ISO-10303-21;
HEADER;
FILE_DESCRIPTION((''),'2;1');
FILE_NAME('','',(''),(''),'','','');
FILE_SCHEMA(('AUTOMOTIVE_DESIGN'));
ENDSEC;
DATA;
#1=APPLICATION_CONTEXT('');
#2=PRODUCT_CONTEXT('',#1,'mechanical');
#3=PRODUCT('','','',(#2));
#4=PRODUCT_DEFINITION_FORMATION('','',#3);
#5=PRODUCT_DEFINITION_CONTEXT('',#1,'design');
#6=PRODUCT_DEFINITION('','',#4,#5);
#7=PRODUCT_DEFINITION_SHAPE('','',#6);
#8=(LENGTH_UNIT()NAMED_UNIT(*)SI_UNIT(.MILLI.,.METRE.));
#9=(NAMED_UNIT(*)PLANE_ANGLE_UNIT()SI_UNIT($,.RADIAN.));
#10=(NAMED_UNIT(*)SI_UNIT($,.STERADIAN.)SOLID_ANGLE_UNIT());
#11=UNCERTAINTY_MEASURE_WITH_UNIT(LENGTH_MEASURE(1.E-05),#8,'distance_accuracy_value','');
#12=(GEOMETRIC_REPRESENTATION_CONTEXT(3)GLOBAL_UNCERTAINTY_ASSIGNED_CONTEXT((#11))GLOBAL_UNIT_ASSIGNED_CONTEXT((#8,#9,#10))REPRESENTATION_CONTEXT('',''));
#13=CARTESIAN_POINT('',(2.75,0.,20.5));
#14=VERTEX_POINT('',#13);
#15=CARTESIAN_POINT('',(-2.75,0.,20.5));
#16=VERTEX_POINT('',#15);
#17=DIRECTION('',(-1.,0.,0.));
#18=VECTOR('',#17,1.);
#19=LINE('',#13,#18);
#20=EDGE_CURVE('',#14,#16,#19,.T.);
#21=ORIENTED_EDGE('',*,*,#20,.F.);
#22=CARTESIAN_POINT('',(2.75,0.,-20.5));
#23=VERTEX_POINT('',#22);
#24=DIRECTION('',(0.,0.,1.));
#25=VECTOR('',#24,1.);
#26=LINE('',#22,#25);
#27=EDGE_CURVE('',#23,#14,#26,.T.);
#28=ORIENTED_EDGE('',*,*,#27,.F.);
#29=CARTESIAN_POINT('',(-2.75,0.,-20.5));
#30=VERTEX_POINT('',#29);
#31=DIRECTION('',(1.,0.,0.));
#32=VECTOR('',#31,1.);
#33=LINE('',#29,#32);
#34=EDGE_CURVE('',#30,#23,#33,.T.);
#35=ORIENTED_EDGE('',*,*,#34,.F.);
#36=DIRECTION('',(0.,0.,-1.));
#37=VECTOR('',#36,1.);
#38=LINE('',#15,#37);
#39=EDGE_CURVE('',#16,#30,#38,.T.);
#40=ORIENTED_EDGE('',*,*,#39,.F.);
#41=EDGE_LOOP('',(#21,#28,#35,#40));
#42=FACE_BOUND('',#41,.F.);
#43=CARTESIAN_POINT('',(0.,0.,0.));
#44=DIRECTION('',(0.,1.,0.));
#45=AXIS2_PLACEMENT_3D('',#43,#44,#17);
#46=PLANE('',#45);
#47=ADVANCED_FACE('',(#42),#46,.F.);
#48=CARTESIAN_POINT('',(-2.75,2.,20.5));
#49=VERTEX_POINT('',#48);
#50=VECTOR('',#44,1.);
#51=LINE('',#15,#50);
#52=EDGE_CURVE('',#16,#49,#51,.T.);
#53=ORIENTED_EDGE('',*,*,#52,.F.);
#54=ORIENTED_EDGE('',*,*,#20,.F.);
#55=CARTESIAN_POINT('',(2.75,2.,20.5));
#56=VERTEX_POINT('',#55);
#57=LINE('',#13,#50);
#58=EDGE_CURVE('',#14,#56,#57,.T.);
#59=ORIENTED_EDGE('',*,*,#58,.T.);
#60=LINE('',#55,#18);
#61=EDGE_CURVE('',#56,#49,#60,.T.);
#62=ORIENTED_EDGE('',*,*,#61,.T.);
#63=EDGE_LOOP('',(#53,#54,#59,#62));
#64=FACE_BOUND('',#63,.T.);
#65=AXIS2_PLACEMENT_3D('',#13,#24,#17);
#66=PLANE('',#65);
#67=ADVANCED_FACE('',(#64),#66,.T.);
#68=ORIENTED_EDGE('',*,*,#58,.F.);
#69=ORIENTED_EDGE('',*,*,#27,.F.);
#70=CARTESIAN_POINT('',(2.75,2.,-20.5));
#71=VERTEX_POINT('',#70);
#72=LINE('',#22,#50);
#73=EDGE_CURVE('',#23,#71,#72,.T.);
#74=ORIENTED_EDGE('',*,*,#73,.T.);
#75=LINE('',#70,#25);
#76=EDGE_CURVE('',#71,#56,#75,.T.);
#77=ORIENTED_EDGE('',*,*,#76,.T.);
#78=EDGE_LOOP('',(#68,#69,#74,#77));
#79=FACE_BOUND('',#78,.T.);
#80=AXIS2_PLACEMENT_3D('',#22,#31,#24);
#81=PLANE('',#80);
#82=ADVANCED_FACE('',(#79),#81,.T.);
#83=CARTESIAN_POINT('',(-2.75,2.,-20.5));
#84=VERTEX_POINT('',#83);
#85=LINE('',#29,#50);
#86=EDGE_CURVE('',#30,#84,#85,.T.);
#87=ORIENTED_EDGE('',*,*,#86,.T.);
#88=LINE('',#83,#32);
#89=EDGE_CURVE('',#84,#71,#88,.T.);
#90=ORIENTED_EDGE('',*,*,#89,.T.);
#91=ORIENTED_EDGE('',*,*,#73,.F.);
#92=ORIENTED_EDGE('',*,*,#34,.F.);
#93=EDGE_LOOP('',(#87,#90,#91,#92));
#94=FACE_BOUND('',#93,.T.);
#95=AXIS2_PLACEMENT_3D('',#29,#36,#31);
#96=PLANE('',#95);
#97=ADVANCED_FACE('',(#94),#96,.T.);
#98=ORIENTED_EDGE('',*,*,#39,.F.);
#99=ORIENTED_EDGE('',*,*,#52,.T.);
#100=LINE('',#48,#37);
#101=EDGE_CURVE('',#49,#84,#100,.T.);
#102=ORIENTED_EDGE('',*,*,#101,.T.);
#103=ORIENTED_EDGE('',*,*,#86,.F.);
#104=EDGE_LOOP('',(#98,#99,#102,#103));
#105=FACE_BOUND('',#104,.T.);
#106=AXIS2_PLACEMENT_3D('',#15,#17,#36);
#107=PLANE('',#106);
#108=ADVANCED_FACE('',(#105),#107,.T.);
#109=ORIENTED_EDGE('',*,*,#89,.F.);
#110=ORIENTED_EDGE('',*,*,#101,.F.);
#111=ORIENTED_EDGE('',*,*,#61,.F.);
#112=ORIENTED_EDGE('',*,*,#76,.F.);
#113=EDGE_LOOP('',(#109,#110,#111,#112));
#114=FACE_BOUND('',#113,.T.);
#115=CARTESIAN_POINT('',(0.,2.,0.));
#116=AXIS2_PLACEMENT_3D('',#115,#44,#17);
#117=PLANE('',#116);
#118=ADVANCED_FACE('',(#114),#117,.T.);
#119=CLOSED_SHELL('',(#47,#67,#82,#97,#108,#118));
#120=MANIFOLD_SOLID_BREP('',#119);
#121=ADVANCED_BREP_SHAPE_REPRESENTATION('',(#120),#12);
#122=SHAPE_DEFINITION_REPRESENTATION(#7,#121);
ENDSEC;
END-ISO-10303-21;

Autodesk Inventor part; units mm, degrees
ref_plane "YZ Plane" through (0, 0, 0) normal (1, 0, 0) x (0, 1, 0)
ref_plane "XZ Plane" through (0, 0, 0) normal (0, 1, 0) x (-1, 0, 0)
ref_plane "XY Plane" through (0, 0, 0) normal (0, 0, 1) x (1, 0, 0)
sketch "Эскиз1" plane through (0, 0, 0) normal (0, 1, 0) x (-1, 0, 0)
  line L0 (-2.75, 20.5) -> (2.75, 20.5)
  line L1 (2.75, 20.5) -> (2.75, -20.5)
  line L2 (2.75, -20.5) -> (-2.75, -20.5)
  line L3 (-2.75, -20.5) -> (-2.75, 20.5)
  line L4 (-2.75, 20.5) -> (2.75, -20.5) construction
  line L5 (2.75, 20.5) -> (-2.75, -20.5) construction
  point P0 (0, 0)
  dimension "d0" = 5.5
  dimension "d1" = 41
extrude "Выдавливание1" add sketch "Эскиз1" along normal blind 2
properties part number "Балка РБАСУ" material "Пластик АБС"
